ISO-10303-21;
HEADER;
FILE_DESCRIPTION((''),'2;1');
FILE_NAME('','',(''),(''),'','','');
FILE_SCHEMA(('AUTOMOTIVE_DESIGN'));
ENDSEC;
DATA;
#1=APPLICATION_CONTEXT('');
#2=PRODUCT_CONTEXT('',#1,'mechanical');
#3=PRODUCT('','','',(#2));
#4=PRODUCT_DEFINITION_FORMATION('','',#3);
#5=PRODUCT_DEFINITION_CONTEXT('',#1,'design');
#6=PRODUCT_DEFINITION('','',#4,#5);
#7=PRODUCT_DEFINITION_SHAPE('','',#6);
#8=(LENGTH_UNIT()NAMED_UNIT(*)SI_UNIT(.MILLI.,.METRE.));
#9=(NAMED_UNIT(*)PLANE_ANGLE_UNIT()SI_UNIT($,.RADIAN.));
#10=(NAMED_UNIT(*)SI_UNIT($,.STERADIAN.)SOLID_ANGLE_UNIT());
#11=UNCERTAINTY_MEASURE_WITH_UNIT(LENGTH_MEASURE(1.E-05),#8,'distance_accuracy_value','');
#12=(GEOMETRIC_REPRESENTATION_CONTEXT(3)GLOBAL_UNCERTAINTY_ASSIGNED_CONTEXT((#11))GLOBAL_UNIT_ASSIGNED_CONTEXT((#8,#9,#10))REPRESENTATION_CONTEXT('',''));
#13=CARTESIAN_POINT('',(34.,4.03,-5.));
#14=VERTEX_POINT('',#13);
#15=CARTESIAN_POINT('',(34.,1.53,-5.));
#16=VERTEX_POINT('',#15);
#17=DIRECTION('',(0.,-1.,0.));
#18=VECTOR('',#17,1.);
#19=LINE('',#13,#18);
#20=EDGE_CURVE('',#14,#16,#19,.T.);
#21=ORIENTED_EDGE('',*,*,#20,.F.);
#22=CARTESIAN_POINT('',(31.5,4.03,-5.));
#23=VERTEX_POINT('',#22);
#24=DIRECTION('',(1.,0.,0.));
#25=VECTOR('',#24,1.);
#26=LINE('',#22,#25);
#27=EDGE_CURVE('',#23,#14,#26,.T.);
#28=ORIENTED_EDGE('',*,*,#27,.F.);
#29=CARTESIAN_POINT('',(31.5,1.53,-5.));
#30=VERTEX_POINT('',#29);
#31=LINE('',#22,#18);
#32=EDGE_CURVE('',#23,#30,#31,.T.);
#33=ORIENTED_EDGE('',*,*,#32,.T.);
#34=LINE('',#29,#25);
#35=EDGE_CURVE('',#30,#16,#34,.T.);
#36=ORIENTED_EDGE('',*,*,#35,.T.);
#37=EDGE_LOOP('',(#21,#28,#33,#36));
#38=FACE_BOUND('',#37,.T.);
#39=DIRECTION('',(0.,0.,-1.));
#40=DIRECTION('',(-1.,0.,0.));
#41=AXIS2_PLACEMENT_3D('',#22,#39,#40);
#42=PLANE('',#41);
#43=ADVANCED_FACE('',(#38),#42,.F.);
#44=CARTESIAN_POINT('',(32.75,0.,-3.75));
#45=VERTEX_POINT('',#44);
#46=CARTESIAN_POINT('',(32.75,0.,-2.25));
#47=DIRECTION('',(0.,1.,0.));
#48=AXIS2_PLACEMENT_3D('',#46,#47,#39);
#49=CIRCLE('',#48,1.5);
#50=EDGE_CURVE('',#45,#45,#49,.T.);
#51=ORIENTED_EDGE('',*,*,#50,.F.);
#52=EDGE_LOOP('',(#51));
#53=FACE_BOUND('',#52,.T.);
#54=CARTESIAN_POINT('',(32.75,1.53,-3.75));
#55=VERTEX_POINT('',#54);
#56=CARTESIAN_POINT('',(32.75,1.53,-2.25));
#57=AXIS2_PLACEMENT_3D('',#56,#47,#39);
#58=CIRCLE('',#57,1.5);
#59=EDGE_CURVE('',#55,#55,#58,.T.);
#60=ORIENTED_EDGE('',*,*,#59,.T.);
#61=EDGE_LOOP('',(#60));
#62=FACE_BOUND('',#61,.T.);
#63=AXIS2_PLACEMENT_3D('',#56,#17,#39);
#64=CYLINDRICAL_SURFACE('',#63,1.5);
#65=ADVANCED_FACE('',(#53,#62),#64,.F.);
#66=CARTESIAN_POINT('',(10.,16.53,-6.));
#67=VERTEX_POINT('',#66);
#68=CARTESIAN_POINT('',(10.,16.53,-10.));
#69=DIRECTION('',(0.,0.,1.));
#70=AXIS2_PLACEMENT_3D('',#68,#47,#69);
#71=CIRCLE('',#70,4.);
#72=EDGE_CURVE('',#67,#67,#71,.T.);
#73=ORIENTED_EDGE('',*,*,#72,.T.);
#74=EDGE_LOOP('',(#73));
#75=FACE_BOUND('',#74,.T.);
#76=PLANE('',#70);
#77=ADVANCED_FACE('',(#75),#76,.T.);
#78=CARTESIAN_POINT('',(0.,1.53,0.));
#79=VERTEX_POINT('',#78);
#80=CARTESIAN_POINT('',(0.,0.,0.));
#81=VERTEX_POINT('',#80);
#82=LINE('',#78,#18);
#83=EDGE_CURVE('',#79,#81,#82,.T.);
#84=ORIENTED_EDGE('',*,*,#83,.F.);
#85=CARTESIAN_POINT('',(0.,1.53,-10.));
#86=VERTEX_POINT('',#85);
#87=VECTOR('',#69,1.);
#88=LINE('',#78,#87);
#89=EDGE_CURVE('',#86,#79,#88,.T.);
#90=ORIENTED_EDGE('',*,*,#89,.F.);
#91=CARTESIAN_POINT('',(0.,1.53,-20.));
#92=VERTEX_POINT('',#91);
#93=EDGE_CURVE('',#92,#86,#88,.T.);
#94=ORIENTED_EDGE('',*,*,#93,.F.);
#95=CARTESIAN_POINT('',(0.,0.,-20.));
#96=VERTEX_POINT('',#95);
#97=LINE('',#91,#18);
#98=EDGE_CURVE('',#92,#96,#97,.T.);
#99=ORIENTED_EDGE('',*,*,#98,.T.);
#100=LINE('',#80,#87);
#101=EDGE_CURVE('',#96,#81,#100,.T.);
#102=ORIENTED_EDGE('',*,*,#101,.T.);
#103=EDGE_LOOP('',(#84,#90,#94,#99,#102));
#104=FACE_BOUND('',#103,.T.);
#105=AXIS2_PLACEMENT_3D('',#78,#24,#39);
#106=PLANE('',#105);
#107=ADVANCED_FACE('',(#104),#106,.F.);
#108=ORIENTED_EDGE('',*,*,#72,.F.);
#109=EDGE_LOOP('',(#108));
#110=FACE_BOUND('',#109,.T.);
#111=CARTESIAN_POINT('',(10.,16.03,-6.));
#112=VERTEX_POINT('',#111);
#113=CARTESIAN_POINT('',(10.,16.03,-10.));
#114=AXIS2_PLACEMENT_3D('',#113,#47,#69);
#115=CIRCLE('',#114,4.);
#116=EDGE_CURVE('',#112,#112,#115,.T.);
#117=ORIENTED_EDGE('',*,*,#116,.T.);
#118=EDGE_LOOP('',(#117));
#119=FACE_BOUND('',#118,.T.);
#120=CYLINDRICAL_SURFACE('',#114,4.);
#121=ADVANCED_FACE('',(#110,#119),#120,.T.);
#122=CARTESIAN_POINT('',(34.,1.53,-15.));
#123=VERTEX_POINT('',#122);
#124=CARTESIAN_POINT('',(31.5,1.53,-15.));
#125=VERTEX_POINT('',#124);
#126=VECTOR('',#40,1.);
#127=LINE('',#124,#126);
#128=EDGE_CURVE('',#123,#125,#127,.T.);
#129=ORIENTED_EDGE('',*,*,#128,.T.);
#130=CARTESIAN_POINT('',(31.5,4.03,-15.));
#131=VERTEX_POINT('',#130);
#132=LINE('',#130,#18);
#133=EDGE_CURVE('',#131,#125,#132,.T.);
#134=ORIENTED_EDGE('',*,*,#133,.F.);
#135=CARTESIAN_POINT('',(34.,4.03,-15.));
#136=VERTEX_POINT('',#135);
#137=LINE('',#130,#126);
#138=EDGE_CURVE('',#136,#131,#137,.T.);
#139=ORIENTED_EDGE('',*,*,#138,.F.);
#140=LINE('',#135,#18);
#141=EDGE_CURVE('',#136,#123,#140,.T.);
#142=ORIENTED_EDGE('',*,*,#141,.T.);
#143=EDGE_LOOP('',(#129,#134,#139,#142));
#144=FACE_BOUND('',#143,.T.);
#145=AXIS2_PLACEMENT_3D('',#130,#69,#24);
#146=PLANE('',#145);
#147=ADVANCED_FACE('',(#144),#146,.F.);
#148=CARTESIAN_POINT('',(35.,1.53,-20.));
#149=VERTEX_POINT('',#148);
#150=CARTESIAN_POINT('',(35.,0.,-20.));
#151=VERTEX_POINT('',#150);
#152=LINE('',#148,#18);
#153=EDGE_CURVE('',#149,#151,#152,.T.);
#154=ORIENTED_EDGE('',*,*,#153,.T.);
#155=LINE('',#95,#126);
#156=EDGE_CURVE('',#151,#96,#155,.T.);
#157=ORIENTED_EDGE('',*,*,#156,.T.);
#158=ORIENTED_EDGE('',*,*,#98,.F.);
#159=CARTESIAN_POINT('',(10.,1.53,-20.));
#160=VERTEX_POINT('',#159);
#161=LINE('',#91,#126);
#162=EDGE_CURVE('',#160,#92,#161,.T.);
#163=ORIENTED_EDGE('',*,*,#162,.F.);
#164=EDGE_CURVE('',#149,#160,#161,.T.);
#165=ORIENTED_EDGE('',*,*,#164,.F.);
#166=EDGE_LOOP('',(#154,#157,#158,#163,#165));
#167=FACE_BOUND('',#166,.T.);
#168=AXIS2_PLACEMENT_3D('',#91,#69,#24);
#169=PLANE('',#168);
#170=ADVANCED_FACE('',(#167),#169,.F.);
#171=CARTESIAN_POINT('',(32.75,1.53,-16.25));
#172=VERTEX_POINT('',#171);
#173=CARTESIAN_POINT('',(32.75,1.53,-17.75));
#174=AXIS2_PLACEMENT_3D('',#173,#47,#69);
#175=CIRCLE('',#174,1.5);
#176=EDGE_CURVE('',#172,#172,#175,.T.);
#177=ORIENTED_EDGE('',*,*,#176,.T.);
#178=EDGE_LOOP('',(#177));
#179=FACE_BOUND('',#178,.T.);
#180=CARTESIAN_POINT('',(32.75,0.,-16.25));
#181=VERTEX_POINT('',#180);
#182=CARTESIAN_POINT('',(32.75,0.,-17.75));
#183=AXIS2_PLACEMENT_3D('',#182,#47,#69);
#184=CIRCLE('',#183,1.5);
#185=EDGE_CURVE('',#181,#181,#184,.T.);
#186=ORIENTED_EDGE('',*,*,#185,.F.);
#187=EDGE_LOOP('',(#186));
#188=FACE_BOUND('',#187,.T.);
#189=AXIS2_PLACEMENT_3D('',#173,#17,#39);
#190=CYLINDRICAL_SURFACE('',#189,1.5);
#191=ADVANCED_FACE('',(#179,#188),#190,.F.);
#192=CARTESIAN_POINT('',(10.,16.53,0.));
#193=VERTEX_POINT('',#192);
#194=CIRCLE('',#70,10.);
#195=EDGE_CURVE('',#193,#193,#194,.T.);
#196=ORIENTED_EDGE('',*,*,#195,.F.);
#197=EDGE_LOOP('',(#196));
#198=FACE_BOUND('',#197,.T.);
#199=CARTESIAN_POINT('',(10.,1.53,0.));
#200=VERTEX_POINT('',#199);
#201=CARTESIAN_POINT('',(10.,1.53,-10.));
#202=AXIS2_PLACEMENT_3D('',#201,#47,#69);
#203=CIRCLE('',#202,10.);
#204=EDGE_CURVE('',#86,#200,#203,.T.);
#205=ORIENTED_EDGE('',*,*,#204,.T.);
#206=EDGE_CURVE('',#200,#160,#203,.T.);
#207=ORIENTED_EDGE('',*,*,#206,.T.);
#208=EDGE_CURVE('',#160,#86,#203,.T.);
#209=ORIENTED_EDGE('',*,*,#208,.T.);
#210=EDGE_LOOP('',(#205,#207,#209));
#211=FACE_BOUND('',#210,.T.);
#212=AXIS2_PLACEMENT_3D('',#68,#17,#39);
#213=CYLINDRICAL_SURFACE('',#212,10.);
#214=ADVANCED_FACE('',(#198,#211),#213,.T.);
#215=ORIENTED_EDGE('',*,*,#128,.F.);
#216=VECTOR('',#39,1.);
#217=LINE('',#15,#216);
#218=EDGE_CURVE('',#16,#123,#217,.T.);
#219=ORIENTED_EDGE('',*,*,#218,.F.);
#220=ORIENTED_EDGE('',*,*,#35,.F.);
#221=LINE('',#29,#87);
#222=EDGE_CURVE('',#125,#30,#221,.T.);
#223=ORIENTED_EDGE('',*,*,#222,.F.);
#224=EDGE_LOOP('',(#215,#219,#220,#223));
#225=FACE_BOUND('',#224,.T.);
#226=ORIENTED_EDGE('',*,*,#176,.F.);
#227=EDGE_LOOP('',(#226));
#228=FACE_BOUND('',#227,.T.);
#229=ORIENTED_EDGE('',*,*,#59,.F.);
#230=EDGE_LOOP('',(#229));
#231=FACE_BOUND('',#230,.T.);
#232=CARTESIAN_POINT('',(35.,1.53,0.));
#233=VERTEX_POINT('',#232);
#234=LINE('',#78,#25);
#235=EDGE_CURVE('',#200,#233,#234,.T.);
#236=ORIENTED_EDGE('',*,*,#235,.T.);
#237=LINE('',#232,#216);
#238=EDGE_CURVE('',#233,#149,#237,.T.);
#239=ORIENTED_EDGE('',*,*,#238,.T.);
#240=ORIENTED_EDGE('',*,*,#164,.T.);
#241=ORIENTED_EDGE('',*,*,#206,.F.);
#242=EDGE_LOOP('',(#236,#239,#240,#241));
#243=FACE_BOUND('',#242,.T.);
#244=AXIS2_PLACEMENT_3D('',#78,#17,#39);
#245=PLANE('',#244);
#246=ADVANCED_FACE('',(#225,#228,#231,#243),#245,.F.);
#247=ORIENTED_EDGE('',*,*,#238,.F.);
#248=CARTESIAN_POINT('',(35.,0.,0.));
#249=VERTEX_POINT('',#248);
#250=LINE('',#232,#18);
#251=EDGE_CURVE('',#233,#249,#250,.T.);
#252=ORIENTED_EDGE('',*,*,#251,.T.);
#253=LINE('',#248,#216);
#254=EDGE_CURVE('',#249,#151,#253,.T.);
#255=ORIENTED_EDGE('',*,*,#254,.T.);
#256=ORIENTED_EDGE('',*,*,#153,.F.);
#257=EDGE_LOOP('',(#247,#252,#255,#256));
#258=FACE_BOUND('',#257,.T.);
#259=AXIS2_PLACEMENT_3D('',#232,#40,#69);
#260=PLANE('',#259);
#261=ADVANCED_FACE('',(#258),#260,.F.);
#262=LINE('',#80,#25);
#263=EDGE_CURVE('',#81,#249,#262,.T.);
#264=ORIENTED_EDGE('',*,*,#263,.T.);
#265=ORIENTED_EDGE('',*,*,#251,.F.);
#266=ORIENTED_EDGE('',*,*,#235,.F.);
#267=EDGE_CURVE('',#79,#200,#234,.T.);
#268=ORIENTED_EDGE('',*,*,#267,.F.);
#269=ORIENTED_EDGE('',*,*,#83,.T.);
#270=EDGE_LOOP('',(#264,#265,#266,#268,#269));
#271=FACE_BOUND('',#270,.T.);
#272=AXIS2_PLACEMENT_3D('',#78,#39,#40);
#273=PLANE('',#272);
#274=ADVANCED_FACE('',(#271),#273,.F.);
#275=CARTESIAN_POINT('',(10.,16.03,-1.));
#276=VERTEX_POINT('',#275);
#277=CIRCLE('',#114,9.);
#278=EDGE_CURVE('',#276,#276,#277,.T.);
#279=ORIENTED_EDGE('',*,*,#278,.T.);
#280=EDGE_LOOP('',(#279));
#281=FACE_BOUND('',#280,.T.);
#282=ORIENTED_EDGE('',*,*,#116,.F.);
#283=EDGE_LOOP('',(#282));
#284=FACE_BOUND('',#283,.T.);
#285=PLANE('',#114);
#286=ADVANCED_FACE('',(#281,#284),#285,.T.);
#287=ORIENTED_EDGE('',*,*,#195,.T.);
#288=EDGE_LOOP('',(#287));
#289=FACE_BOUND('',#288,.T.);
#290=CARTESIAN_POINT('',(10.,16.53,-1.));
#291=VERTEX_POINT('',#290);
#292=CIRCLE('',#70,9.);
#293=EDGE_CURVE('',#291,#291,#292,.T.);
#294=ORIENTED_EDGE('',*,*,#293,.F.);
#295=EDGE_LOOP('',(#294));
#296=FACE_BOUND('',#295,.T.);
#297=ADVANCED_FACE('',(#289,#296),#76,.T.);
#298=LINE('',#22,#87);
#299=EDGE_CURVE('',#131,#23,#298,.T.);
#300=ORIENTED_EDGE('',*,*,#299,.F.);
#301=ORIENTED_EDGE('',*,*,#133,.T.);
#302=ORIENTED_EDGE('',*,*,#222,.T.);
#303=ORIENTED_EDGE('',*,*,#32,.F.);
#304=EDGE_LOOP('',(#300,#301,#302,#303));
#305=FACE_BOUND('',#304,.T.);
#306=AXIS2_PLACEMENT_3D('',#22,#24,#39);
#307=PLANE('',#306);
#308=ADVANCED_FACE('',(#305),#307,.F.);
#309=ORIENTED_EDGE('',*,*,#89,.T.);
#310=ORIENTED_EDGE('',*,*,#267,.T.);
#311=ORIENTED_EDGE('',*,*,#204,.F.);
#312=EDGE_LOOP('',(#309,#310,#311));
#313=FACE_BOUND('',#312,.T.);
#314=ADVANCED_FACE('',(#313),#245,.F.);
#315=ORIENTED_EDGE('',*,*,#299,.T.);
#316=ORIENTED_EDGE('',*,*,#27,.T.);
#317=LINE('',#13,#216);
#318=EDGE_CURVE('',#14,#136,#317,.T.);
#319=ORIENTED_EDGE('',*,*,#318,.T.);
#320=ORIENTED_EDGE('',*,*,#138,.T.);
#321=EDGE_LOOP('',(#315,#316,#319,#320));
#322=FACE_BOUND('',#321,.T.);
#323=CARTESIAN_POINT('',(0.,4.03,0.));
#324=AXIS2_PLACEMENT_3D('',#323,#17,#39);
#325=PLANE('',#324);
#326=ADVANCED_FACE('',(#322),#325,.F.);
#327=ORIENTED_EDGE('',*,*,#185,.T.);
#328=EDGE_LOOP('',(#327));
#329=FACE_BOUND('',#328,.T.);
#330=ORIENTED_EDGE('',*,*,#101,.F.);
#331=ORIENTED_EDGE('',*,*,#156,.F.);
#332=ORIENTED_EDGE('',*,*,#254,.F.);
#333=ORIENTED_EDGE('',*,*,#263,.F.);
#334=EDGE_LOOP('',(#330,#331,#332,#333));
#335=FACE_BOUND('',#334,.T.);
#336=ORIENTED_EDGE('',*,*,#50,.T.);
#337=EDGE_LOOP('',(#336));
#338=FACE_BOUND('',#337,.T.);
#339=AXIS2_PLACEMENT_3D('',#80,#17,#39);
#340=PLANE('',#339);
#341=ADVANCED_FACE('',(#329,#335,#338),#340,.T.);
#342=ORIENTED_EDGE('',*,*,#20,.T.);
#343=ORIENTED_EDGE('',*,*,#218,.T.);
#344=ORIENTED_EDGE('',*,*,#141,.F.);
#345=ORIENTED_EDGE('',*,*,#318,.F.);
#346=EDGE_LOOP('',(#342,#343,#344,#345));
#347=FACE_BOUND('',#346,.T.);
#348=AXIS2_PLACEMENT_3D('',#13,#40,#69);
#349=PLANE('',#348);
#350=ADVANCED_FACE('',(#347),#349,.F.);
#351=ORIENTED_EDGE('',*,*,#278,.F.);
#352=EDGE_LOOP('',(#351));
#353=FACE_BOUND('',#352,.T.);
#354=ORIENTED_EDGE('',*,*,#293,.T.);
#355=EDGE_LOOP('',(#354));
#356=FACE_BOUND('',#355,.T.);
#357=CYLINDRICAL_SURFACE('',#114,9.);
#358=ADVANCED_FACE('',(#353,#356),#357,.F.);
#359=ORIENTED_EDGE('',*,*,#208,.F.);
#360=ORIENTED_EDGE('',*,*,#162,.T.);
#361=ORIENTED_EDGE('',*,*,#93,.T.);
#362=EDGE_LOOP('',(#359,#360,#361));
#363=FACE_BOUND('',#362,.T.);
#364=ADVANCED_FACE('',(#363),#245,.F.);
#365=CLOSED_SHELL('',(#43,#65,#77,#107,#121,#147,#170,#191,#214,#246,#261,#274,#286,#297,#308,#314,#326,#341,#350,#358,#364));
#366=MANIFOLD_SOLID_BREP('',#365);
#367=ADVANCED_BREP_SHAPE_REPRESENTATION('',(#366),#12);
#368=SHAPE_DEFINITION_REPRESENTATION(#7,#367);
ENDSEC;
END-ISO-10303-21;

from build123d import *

# Parameters (mm, degrees)
SKETCH1_W           = 35
SKETCH1_H           = 20
SKETCH1_R           = 1.5
BOSS_EXTRUDE1_DEPTH = 1.53
SKETCH2_R           = 10
BOSS_EXTRUDE2_DEPTH = 15
SKETCH3_R           = 9
SKETCH3_R_2         = 4
CUT_EXTRUDE1_DEPTH  = 0.5
SKETCH4_W           = 2.5
SKETCH4_H           = 10
BOSS_EXTRUDE3_DEPTH = 2.5


with BuildPart() as part:
    # Sketch1 → Boss-Extrude1 (new body)
    with BuildSketch(Plane(origin=(0, 0, 0), x_dir=(1, 0, 0), z_dir=(0, 1, 0))):
        with Locations((17.5, 10)):
            Rectangle(SKETCH1_W, SKETCH1_H)
        with Locations((32.75, 17.75)):
            Circle(SKETCH1_R, mode=Mode.SUBTRACT)
        with Locations((32.75, 2.25)):
            Circle(SKETCH1_R, mode=Mode.SUBTRACT)
    extrude(amount=BOSS_EXTRUDE1_DEPTH)

    # Sketch2 → Boss-Extrude2 (add)
    with BuildSketch(Plane(origin=(0, 1.53, 0), x_dir=(1, 0, 0), z_dir=(0, 1, 0))):
        with Locations((10, 10)):
            Circle(SKETCH2_R)
    extrude(amount=BOSS_EXTRUDE2_DEPTH)

    # Sketch3 → Cut-Extrude1 (cut)
    with BuildSketch(Plane(origin=(0, 16.53, 0), x_dir=(1, 0, 0), z_dir=(0, 1, 0))):
        with Locations((10, 10)):
            Circle(SKETCH3_R)
        with Locations((10, 10)):
            Circle(SKETCH3_R_2, mode=Mode.SUBTRACT)
    extrude(amount=-CUT_EXTRUDE1_DEPTH, mode=Mode.SUBTRACT)

    # Sketch4 → Boss-Extrude3 (add)
    with BuildSketch(Plane(origin=(0, 1.53, 0), x_dir=(1, 0, 0), z_dir=(0, 1, 0))):
        with Locations((32.75, 10)):
            Rectangle(SKETCH4_W, SKETCH4_H)
    extrude(amount=BOSS_EXTRUDE3_DEPTH)


solid = part.part
